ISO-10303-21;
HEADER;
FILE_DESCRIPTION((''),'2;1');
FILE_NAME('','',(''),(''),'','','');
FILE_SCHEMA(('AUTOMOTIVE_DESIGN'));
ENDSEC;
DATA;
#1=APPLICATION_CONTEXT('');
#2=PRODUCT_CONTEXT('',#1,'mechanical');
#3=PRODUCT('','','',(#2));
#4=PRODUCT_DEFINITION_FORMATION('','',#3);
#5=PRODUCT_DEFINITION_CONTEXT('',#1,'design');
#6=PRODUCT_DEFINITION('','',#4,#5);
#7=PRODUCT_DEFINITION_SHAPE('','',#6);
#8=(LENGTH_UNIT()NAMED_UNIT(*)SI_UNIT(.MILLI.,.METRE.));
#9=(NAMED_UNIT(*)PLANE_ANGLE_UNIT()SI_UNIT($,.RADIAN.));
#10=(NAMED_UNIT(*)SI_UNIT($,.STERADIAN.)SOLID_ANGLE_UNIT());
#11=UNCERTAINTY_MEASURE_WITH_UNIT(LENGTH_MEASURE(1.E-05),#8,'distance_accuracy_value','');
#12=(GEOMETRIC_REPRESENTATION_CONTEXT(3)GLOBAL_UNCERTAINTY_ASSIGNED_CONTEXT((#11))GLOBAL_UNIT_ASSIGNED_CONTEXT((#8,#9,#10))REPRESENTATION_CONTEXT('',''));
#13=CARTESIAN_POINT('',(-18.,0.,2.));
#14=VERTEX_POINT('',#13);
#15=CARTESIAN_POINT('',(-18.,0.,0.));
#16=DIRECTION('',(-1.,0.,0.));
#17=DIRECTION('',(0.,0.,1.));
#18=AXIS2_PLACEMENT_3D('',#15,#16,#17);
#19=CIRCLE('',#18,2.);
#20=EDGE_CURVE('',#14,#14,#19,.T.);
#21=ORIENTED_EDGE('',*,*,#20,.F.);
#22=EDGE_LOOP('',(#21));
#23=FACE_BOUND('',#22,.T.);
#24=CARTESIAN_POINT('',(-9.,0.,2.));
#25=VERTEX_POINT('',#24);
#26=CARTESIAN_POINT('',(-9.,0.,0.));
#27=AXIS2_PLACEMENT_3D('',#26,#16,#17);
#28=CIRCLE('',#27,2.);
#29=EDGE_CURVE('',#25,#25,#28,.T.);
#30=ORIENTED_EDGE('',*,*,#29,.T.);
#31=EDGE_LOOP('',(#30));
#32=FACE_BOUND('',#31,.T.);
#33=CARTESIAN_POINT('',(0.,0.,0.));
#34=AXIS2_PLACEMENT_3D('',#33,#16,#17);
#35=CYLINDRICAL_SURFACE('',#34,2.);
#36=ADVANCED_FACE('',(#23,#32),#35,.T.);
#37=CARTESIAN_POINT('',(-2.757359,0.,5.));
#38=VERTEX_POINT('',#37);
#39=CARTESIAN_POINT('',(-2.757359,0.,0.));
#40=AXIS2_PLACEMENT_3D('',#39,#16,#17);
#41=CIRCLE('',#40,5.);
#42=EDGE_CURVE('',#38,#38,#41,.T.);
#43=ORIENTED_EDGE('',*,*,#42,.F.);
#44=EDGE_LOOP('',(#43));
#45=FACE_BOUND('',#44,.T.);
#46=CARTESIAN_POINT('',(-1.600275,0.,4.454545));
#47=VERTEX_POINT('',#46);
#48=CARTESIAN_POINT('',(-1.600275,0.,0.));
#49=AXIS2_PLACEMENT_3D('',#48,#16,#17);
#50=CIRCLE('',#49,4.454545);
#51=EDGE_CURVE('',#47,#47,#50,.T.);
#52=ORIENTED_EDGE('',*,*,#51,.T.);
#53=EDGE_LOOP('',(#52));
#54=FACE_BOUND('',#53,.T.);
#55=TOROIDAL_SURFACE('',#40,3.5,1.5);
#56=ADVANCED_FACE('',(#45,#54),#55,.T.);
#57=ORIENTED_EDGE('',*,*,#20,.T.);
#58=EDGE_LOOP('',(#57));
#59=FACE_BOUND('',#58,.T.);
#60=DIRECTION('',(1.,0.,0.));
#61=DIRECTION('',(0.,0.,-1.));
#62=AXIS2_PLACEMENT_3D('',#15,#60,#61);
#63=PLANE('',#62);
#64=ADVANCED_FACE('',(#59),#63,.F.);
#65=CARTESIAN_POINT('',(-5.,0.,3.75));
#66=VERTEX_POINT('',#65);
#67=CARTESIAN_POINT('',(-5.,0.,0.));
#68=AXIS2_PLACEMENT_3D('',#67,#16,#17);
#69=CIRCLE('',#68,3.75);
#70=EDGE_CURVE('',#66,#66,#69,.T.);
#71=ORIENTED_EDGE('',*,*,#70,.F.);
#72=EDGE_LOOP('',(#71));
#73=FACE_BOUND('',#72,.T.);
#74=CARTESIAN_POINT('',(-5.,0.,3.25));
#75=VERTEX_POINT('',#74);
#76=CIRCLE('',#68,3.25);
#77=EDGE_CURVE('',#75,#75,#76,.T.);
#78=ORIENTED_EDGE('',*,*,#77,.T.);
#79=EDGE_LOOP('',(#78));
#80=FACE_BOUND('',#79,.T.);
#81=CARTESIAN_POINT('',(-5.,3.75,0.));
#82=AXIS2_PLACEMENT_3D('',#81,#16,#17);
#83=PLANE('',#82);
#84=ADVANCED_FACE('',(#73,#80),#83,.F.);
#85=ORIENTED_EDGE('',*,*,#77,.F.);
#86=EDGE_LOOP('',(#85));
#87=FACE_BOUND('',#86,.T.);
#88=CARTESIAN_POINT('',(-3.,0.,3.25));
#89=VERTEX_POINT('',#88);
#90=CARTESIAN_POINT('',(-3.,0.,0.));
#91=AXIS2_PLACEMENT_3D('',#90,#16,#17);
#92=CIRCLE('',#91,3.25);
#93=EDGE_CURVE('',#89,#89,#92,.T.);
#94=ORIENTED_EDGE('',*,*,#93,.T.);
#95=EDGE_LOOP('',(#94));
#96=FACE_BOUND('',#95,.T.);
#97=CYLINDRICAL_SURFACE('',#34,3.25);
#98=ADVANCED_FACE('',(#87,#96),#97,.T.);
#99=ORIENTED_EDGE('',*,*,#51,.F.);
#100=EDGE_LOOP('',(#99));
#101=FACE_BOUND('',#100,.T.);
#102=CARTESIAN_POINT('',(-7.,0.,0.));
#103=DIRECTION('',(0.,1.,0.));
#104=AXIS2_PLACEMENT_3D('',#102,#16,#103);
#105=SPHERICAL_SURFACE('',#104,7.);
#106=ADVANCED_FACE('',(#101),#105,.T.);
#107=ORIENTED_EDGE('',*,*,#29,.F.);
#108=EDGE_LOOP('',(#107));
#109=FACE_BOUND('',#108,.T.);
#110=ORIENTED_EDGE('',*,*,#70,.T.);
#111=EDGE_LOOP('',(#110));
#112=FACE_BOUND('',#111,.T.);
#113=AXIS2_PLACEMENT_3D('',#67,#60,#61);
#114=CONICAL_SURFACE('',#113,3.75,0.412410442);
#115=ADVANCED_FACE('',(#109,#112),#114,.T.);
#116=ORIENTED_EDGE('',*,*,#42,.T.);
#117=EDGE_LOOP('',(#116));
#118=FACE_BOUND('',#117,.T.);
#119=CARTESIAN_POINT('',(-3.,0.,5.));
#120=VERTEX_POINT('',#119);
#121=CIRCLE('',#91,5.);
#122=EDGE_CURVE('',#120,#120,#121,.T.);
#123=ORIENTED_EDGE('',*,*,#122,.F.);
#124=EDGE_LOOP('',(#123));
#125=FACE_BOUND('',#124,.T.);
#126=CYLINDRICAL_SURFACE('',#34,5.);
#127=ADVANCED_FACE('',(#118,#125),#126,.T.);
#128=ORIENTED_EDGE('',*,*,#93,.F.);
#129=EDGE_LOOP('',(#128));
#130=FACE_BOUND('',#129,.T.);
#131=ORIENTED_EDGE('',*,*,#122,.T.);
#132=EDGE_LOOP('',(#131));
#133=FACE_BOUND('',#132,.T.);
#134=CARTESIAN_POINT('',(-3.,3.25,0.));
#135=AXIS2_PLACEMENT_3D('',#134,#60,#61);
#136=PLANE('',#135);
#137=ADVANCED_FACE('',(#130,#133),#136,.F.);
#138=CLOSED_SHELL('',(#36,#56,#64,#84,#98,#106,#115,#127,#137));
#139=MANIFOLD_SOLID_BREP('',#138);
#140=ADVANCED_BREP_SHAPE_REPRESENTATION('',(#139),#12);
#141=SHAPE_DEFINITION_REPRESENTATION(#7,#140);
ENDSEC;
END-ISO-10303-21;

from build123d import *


with BuildPart() as part:
    # Esquisse1 → Révolution1 (revolve)
    with BuildSketch(Plane.XY, mode=Mode.PRIVATE) as r_volution1_sk:
        with BuildLine():
            Line((0, 0), (-18, 0))
            Line((-18, 0), (-18, 2))
            Line((-18, 2), (-9, 2))
            Line((-9, 2), (-5, 3.75))
            Line((-5, 3.75), (-5, 3.25))
            Line((-5, 3.25), (-3, 3.25))
            Line((-3, 3.25), (-3, 5))
            Line((-3, 5), (-2.757359313, 5))
            ThreePointArc((-2.757359313, 5), (-2.117757164, 4.856801051), (-1.600275489, 4.454545455))
            ThreePointArc((-1.600275489, 4.454545455), (-0.412205544, 2.366635631), (0, 0))
        make_face()
    revolve(r_volution1_sk.sketch.rotate(Axis((0, 0, 0), (1, 0, 0)), 90), axis=Axis((0, 0, 0), (1, 0, 0)))  # turned: the seam where the file's is


solid = part.part
